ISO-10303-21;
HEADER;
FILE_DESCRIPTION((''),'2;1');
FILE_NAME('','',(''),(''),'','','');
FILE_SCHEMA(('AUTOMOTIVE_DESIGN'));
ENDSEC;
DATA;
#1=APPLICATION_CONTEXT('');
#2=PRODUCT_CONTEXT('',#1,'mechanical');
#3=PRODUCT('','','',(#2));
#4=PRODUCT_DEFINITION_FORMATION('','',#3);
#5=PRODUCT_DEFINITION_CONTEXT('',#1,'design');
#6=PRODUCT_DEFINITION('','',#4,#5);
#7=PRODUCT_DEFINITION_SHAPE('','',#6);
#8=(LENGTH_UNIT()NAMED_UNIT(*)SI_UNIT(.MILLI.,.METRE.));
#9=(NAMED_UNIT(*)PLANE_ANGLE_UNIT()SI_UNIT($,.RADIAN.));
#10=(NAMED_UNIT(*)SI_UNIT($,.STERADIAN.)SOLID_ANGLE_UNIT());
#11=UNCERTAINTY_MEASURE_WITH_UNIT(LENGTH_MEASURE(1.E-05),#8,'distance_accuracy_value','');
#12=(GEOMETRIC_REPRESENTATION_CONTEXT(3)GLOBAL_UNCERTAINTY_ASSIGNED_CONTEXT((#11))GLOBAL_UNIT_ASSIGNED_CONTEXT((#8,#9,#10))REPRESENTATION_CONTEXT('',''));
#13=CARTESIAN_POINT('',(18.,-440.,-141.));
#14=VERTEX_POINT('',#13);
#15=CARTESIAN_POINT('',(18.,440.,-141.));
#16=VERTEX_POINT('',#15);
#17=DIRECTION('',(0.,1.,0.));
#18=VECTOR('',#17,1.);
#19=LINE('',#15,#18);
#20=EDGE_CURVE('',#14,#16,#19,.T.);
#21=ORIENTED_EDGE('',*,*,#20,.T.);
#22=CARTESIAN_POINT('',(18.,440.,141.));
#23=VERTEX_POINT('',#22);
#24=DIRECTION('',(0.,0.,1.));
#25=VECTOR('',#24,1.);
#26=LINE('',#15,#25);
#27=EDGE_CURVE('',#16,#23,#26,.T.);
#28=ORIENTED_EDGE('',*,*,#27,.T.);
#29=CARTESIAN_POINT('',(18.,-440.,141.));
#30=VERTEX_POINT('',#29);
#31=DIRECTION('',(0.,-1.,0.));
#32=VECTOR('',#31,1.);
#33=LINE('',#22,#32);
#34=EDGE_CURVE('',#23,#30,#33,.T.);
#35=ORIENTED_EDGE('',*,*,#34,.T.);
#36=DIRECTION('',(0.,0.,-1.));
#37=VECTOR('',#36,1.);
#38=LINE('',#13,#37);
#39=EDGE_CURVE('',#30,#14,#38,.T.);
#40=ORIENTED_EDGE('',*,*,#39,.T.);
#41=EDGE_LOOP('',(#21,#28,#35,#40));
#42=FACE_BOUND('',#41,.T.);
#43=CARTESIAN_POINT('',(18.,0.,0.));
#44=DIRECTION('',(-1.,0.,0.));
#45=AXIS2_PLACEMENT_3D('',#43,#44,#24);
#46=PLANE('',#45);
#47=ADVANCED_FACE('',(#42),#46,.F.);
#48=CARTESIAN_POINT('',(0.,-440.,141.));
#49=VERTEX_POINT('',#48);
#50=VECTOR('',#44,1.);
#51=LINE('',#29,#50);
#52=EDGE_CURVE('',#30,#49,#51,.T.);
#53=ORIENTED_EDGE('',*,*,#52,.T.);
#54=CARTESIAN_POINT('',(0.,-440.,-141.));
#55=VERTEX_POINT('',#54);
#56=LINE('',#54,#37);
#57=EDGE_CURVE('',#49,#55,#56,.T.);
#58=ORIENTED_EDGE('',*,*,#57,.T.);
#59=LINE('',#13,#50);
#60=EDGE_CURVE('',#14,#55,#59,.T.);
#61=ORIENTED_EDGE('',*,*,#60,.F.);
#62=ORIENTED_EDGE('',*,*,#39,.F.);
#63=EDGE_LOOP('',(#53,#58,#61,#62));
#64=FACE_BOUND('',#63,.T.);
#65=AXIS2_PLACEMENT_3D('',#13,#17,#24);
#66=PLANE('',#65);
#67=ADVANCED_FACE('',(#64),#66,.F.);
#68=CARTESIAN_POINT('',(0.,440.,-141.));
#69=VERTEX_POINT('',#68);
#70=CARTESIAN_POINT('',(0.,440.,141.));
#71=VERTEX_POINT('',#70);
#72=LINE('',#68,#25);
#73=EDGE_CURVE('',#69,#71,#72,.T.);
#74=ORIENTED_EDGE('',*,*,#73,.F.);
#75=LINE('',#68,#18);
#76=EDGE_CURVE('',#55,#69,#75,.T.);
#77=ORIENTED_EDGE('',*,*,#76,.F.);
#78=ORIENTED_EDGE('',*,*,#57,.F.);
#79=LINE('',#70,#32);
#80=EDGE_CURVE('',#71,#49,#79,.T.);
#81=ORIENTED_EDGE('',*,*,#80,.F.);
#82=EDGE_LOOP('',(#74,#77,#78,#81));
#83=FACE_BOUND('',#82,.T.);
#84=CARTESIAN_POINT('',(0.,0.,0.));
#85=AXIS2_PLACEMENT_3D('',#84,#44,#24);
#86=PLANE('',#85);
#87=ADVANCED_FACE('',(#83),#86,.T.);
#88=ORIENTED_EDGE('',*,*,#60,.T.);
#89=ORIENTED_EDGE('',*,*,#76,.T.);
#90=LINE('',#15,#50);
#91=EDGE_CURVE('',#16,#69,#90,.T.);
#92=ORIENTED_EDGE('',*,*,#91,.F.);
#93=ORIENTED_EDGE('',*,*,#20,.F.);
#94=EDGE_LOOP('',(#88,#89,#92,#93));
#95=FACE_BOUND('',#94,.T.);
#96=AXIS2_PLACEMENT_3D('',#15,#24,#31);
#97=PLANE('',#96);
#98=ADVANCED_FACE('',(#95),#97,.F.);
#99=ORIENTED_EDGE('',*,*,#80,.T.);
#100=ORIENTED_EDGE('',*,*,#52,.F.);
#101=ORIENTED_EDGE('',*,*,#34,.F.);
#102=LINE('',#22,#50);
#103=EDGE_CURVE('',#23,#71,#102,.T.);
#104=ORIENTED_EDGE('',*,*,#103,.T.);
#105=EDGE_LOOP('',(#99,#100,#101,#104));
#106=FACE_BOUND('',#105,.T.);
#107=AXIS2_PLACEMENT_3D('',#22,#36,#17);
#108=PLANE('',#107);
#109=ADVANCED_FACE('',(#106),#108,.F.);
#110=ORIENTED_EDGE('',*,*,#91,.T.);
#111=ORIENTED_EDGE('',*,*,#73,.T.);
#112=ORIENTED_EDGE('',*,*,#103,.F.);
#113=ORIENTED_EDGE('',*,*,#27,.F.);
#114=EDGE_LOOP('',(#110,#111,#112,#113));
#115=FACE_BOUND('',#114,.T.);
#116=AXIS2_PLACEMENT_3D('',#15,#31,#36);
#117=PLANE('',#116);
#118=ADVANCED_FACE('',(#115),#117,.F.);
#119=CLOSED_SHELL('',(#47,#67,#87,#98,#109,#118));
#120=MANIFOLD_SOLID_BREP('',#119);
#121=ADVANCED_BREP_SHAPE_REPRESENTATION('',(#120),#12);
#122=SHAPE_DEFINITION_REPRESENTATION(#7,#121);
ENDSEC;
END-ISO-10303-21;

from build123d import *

# Parameters (mm, degrees)
SKETCH_1_W      = 282
SKETCH_1_H      = 880
EXTRUDE_1_DEPTH = 18


with BuildPart() as part:
    # Эскиз1 → Бобышка-Вытянуть1 (new body)
    with BuildSketch(Plane(origin=(0, 0, 0), x_dir=(0, 0, -1), z_dir=(1, 0, 0))):
        Rectangle(SKETCH_1_W, SKETCH_1_H)
    extrude(amount=EXTRUDE_1_DEPTH)


solid = part.part
